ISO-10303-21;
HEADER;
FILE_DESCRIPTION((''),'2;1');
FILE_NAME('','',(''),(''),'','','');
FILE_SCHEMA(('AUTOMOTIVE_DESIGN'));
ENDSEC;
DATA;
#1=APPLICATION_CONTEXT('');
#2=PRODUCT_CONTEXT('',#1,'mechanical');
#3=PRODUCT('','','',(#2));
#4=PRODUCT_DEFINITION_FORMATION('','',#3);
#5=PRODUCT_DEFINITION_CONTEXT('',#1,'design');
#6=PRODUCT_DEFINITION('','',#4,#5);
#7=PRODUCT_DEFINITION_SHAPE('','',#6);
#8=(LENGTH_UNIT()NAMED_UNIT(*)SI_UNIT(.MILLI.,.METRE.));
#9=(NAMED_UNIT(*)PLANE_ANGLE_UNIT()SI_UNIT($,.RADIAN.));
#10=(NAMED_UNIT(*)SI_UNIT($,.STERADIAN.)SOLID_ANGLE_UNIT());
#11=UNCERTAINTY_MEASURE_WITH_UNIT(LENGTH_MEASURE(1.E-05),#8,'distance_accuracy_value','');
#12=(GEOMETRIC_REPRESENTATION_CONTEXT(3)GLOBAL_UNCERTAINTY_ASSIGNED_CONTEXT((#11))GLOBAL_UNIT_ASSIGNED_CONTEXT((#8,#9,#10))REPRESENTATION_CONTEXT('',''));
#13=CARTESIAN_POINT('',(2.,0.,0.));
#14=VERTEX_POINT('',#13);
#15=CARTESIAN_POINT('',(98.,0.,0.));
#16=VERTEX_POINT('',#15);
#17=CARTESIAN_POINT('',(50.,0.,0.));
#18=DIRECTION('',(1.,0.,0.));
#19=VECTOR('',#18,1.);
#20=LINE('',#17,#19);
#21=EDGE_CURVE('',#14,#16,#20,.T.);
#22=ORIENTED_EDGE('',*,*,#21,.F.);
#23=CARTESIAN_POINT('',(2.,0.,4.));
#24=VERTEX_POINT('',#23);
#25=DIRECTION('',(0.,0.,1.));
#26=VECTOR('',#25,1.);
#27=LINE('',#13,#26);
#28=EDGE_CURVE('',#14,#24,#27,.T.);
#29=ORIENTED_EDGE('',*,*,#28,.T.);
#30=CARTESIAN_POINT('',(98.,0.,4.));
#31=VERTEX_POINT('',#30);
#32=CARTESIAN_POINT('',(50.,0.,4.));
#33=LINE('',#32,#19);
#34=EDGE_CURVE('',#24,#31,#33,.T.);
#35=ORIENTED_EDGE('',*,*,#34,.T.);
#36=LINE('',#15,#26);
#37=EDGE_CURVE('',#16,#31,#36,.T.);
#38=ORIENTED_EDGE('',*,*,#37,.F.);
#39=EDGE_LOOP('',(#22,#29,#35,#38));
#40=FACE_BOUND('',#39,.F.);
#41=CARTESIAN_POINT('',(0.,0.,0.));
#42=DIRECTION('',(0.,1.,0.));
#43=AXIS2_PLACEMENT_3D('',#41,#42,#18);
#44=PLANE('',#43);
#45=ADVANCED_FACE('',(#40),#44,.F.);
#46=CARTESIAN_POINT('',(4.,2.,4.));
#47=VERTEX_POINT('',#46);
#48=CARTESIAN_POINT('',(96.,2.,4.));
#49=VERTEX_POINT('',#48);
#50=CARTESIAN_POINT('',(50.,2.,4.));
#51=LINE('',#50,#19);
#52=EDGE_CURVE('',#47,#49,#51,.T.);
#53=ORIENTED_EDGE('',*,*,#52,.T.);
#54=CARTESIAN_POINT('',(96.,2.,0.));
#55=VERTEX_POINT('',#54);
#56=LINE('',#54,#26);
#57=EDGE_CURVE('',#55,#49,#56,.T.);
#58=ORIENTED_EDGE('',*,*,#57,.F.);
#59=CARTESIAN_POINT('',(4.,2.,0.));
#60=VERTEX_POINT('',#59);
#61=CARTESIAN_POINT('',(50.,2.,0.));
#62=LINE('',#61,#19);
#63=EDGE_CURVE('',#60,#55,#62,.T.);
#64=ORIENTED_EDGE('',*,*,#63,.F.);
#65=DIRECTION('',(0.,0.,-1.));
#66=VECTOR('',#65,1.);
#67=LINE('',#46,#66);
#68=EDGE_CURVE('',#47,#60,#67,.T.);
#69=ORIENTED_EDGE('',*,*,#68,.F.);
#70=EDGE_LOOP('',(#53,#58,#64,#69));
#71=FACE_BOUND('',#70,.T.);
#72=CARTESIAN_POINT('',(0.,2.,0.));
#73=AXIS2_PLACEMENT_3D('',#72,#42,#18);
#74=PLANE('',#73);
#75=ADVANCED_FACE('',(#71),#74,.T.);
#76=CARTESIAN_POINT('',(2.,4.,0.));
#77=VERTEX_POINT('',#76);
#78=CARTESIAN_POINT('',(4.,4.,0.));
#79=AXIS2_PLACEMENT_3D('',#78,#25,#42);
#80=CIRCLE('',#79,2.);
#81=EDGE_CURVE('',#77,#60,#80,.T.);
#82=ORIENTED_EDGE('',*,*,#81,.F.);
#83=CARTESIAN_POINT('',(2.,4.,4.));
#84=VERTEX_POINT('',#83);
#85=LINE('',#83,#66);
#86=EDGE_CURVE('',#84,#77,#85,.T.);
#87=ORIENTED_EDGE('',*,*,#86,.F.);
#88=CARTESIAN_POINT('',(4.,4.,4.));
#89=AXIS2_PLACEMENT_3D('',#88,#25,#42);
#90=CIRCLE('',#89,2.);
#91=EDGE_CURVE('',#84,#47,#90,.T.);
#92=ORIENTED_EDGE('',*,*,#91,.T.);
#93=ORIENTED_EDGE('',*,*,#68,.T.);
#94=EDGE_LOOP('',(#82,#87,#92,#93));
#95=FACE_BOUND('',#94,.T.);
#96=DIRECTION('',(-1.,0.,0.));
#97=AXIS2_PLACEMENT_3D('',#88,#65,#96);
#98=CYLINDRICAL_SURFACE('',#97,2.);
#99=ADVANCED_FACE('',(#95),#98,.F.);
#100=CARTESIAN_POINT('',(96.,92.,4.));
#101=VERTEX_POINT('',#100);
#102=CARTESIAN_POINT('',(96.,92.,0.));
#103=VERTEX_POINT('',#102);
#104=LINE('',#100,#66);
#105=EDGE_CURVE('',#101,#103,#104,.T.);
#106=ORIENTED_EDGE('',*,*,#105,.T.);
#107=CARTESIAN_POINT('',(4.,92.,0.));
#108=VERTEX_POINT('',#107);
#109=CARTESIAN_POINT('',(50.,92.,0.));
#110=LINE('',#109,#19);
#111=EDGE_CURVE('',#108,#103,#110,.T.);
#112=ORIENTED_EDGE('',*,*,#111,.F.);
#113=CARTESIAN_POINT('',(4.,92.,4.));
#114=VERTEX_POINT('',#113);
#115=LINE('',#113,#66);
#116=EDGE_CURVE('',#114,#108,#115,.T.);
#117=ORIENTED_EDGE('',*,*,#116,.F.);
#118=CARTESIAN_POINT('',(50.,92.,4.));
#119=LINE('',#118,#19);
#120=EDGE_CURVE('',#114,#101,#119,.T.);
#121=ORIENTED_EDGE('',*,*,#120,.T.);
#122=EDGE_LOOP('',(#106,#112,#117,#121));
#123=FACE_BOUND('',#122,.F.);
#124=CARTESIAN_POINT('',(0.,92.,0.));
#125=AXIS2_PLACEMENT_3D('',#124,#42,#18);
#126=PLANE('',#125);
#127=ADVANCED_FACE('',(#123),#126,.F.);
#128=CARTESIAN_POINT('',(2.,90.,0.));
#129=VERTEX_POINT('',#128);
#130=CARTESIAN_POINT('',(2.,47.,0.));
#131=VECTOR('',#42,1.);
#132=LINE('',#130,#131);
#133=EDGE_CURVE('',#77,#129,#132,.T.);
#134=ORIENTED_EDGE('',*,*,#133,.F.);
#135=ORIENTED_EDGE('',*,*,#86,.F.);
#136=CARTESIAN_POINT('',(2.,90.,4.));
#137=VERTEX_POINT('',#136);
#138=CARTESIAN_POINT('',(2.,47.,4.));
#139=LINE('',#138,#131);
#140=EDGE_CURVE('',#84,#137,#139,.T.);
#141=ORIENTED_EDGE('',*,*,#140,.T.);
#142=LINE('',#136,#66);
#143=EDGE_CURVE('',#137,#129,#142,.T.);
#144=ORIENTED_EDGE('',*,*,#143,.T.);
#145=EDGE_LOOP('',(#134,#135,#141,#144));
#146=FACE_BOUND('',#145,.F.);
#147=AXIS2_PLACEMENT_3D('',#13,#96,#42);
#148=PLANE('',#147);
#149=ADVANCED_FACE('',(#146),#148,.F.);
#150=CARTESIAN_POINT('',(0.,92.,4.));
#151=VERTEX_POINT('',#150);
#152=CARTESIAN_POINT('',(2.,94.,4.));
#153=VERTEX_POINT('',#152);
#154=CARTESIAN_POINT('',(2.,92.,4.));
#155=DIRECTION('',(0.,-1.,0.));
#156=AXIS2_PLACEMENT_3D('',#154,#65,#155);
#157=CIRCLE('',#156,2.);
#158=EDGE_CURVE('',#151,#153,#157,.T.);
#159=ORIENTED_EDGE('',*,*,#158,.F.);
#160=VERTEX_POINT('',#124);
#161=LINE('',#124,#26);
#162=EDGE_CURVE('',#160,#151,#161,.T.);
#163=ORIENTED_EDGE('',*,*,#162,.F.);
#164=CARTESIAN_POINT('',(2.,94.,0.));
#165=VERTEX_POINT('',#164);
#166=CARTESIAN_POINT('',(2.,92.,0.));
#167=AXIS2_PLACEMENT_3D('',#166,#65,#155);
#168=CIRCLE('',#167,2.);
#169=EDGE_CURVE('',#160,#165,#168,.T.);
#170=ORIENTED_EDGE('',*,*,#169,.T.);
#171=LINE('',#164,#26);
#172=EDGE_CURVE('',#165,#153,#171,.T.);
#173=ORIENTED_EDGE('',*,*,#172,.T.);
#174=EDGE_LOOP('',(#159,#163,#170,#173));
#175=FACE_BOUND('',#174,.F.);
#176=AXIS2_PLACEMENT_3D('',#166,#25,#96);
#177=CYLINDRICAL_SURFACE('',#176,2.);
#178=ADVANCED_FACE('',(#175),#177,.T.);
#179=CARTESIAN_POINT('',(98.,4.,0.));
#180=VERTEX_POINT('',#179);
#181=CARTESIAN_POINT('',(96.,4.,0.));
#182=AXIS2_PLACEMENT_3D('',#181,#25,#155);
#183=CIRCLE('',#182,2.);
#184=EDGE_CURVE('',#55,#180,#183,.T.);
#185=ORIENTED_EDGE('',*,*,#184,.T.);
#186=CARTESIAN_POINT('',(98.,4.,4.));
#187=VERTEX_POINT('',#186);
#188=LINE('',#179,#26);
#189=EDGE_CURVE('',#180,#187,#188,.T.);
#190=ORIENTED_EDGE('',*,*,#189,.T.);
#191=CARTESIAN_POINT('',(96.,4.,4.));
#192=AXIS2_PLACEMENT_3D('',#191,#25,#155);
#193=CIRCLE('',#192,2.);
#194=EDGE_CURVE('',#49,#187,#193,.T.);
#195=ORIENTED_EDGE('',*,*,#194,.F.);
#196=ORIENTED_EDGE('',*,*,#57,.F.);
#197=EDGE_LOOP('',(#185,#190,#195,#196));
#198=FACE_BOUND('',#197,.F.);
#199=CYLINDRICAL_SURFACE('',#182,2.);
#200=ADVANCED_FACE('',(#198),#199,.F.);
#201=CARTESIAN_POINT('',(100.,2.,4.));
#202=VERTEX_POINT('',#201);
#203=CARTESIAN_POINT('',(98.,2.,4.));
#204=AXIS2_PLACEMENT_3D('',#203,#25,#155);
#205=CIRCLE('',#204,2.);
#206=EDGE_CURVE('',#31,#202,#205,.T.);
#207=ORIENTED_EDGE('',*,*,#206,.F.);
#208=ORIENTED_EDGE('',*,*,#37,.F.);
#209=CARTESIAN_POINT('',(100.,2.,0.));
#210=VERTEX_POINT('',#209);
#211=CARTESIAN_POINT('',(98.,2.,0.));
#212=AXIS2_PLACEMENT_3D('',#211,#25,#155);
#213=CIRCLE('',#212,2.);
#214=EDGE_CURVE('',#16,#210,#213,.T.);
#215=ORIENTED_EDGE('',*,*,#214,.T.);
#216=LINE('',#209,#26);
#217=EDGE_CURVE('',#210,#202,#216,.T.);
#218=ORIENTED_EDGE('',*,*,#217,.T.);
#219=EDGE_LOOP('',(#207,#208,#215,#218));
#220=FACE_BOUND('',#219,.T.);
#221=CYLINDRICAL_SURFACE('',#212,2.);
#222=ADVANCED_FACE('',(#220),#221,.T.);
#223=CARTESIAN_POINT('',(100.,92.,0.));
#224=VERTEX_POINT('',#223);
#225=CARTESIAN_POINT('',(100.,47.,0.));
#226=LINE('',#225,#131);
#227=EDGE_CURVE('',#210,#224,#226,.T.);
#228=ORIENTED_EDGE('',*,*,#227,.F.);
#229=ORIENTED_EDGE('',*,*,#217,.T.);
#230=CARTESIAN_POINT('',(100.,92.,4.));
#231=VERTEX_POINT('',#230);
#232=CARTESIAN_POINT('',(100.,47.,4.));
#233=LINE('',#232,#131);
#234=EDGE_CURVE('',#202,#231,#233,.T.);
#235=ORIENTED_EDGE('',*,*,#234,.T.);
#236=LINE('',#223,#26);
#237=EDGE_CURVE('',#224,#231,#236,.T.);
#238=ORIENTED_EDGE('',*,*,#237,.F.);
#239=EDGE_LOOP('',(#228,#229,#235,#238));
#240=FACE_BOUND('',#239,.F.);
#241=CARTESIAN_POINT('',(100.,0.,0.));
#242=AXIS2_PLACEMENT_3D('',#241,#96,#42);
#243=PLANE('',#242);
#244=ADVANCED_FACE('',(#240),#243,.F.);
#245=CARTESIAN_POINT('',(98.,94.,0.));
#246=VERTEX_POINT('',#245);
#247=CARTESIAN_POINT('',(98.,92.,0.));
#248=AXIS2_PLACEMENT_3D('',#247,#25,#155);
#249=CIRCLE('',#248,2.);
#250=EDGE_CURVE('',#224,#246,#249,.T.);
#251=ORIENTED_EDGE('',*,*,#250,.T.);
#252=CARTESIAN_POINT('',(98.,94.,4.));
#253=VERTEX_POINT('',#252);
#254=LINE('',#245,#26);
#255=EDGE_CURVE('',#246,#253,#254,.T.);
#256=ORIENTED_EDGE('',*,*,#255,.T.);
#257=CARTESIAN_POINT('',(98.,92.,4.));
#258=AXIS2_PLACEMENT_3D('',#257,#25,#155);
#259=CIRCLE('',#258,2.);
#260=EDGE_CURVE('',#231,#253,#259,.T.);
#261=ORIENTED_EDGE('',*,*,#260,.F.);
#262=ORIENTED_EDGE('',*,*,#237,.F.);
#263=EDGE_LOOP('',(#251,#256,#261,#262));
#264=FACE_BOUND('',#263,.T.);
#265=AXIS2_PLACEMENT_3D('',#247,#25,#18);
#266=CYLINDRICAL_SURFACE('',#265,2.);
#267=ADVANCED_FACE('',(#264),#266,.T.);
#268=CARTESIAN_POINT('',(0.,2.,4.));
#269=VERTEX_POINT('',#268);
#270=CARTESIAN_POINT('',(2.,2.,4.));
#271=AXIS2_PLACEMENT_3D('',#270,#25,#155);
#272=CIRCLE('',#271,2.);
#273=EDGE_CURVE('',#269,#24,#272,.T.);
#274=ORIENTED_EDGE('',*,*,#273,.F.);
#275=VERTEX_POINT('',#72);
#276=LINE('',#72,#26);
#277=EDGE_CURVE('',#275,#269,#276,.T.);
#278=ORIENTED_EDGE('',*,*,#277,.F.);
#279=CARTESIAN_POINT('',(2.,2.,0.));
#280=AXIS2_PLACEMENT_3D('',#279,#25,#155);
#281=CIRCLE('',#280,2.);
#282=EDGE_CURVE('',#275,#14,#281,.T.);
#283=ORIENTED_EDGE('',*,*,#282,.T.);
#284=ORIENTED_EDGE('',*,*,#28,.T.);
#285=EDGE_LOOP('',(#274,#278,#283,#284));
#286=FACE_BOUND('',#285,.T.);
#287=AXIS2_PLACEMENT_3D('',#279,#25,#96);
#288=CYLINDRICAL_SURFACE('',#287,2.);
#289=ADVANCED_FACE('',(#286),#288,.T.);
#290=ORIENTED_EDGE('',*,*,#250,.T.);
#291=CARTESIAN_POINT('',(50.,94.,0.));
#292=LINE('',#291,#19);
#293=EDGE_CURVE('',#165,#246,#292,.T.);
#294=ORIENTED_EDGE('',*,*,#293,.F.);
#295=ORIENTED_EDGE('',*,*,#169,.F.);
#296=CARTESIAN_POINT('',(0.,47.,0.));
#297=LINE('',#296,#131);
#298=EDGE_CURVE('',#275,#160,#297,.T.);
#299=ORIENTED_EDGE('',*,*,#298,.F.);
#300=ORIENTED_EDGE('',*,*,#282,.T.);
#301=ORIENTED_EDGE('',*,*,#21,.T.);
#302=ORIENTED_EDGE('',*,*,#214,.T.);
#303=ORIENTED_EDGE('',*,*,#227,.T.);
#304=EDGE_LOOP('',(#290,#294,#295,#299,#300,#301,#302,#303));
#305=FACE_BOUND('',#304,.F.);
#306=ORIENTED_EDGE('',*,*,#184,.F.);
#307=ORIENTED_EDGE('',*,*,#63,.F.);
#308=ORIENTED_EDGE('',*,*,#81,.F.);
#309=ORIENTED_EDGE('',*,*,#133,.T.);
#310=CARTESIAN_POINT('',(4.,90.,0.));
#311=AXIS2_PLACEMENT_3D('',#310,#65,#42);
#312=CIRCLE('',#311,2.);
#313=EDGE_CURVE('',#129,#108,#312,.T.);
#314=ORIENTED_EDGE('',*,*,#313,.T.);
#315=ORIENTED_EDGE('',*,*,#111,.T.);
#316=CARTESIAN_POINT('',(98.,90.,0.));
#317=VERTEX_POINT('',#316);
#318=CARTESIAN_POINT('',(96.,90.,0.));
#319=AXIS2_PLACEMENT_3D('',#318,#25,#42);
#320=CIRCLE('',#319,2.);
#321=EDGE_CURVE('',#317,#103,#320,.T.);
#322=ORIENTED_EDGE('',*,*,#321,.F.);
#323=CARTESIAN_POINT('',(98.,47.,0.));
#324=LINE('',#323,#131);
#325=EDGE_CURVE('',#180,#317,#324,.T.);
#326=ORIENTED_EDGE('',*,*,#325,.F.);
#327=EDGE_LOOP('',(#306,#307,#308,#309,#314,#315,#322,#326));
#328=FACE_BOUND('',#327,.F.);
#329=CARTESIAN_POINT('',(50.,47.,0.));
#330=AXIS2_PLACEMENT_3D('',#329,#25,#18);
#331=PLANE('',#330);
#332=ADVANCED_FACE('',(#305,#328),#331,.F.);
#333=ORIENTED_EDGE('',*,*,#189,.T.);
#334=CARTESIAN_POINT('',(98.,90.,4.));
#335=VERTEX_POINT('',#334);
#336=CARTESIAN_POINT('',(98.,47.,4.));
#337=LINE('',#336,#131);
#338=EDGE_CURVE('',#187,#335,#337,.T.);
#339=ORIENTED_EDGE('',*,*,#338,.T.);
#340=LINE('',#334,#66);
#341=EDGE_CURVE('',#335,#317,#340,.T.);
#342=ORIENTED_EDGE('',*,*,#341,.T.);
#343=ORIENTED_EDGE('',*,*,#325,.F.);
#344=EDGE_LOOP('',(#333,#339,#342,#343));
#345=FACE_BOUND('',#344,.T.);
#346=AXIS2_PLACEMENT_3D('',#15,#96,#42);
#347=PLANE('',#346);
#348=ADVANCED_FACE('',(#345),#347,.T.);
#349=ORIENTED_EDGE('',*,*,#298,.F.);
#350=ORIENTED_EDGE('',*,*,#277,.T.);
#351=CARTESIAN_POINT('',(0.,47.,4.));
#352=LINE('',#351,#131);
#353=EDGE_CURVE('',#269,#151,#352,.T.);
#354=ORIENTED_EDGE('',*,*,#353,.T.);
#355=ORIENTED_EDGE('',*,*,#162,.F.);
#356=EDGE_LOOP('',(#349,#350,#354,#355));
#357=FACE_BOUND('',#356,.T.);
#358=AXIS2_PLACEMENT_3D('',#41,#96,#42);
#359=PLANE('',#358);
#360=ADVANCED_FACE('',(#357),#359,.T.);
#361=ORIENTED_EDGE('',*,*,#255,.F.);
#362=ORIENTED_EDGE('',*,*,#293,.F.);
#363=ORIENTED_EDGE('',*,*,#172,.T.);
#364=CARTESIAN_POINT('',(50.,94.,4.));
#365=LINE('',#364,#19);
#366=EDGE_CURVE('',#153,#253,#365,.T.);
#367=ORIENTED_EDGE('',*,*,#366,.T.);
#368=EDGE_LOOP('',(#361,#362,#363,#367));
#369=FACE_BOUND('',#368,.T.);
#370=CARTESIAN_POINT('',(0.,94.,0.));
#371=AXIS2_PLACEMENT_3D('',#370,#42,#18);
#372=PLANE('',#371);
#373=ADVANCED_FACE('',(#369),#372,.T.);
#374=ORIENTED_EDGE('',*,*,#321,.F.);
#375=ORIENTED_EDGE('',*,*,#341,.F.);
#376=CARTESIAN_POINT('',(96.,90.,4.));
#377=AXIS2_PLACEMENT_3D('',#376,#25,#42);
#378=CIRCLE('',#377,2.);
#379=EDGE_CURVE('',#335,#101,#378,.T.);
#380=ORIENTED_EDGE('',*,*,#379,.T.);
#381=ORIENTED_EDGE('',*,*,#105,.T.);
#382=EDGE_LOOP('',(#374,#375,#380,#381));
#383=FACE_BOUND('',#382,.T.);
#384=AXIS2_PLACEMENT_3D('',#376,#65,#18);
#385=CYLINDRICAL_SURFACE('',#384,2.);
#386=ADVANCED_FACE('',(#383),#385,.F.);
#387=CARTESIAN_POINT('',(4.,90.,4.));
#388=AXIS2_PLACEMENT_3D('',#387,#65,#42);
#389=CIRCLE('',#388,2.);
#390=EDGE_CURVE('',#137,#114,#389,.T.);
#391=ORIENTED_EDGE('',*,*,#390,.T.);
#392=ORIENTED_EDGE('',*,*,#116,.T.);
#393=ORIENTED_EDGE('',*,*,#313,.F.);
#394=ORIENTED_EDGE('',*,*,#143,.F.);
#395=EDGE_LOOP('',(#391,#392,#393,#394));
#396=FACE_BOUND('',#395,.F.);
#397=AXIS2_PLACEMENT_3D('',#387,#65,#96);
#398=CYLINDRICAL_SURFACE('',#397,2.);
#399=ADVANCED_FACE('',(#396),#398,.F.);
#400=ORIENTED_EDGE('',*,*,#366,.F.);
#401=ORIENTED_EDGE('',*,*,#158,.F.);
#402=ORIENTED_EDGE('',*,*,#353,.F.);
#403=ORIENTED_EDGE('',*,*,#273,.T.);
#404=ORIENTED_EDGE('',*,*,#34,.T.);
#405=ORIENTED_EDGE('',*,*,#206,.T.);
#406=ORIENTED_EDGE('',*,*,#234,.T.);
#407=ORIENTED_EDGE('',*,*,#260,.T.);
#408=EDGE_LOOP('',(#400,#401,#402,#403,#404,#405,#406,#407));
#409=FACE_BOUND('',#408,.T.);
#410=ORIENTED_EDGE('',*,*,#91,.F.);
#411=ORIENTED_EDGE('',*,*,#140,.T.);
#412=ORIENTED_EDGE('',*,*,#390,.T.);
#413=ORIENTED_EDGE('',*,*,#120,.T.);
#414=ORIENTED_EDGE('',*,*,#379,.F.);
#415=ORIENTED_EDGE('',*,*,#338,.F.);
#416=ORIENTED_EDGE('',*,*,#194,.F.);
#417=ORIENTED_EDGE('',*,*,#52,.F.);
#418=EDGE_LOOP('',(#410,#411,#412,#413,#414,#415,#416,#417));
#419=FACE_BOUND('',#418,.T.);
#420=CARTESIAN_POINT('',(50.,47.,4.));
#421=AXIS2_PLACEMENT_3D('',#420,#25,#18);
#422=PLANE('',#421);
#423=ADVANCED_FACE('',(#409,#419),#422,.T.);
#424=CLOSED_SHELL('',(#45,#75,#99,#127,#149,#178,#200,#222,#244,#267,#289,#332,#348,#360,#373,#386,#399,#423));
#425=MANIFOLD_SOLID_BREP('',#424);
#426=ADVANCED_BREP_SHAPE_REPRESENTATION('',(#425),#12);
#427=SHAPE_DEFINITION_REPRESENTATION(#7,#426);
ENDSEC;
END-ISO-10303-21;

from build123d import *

# Parameters (mm, degrees)
F0_W     = 100
F0_H     = 94
F1_DEPTH = 4
F2_T     = -2
F3_R     = 2


with BuildPart() as f1:
    # F0 (on Top) → F1 (new body)
    with BuildSketch(Plane.XY):
        with Locations((50, 47)):
            Rectangle(F0_W, F0_H)
    extrude(amount=F1_DEPTH)

    # F2
    f2_openings = [f1.faces().sort_by_distance(p)[0] for p in [
        (50, 47, 4),
        (50, 47, 0),
    ]]
    offset(amount=F2_T, openings=f2_openings)

    # F3
    f3_edges = [f1.edges().sort_by_distance(p)[0] for p in [
        (0, 94, 2),
        (0, 0, 2),
        (100, 94, 2),
        (100, 0, 2),
        (2, 92, 2),
        (2, 2, 2),
        (98, 92, 2),
        (98, 2, 2),
    ]]
    fillet(f3_edges, radius=F3_R)


solid = f1.part
